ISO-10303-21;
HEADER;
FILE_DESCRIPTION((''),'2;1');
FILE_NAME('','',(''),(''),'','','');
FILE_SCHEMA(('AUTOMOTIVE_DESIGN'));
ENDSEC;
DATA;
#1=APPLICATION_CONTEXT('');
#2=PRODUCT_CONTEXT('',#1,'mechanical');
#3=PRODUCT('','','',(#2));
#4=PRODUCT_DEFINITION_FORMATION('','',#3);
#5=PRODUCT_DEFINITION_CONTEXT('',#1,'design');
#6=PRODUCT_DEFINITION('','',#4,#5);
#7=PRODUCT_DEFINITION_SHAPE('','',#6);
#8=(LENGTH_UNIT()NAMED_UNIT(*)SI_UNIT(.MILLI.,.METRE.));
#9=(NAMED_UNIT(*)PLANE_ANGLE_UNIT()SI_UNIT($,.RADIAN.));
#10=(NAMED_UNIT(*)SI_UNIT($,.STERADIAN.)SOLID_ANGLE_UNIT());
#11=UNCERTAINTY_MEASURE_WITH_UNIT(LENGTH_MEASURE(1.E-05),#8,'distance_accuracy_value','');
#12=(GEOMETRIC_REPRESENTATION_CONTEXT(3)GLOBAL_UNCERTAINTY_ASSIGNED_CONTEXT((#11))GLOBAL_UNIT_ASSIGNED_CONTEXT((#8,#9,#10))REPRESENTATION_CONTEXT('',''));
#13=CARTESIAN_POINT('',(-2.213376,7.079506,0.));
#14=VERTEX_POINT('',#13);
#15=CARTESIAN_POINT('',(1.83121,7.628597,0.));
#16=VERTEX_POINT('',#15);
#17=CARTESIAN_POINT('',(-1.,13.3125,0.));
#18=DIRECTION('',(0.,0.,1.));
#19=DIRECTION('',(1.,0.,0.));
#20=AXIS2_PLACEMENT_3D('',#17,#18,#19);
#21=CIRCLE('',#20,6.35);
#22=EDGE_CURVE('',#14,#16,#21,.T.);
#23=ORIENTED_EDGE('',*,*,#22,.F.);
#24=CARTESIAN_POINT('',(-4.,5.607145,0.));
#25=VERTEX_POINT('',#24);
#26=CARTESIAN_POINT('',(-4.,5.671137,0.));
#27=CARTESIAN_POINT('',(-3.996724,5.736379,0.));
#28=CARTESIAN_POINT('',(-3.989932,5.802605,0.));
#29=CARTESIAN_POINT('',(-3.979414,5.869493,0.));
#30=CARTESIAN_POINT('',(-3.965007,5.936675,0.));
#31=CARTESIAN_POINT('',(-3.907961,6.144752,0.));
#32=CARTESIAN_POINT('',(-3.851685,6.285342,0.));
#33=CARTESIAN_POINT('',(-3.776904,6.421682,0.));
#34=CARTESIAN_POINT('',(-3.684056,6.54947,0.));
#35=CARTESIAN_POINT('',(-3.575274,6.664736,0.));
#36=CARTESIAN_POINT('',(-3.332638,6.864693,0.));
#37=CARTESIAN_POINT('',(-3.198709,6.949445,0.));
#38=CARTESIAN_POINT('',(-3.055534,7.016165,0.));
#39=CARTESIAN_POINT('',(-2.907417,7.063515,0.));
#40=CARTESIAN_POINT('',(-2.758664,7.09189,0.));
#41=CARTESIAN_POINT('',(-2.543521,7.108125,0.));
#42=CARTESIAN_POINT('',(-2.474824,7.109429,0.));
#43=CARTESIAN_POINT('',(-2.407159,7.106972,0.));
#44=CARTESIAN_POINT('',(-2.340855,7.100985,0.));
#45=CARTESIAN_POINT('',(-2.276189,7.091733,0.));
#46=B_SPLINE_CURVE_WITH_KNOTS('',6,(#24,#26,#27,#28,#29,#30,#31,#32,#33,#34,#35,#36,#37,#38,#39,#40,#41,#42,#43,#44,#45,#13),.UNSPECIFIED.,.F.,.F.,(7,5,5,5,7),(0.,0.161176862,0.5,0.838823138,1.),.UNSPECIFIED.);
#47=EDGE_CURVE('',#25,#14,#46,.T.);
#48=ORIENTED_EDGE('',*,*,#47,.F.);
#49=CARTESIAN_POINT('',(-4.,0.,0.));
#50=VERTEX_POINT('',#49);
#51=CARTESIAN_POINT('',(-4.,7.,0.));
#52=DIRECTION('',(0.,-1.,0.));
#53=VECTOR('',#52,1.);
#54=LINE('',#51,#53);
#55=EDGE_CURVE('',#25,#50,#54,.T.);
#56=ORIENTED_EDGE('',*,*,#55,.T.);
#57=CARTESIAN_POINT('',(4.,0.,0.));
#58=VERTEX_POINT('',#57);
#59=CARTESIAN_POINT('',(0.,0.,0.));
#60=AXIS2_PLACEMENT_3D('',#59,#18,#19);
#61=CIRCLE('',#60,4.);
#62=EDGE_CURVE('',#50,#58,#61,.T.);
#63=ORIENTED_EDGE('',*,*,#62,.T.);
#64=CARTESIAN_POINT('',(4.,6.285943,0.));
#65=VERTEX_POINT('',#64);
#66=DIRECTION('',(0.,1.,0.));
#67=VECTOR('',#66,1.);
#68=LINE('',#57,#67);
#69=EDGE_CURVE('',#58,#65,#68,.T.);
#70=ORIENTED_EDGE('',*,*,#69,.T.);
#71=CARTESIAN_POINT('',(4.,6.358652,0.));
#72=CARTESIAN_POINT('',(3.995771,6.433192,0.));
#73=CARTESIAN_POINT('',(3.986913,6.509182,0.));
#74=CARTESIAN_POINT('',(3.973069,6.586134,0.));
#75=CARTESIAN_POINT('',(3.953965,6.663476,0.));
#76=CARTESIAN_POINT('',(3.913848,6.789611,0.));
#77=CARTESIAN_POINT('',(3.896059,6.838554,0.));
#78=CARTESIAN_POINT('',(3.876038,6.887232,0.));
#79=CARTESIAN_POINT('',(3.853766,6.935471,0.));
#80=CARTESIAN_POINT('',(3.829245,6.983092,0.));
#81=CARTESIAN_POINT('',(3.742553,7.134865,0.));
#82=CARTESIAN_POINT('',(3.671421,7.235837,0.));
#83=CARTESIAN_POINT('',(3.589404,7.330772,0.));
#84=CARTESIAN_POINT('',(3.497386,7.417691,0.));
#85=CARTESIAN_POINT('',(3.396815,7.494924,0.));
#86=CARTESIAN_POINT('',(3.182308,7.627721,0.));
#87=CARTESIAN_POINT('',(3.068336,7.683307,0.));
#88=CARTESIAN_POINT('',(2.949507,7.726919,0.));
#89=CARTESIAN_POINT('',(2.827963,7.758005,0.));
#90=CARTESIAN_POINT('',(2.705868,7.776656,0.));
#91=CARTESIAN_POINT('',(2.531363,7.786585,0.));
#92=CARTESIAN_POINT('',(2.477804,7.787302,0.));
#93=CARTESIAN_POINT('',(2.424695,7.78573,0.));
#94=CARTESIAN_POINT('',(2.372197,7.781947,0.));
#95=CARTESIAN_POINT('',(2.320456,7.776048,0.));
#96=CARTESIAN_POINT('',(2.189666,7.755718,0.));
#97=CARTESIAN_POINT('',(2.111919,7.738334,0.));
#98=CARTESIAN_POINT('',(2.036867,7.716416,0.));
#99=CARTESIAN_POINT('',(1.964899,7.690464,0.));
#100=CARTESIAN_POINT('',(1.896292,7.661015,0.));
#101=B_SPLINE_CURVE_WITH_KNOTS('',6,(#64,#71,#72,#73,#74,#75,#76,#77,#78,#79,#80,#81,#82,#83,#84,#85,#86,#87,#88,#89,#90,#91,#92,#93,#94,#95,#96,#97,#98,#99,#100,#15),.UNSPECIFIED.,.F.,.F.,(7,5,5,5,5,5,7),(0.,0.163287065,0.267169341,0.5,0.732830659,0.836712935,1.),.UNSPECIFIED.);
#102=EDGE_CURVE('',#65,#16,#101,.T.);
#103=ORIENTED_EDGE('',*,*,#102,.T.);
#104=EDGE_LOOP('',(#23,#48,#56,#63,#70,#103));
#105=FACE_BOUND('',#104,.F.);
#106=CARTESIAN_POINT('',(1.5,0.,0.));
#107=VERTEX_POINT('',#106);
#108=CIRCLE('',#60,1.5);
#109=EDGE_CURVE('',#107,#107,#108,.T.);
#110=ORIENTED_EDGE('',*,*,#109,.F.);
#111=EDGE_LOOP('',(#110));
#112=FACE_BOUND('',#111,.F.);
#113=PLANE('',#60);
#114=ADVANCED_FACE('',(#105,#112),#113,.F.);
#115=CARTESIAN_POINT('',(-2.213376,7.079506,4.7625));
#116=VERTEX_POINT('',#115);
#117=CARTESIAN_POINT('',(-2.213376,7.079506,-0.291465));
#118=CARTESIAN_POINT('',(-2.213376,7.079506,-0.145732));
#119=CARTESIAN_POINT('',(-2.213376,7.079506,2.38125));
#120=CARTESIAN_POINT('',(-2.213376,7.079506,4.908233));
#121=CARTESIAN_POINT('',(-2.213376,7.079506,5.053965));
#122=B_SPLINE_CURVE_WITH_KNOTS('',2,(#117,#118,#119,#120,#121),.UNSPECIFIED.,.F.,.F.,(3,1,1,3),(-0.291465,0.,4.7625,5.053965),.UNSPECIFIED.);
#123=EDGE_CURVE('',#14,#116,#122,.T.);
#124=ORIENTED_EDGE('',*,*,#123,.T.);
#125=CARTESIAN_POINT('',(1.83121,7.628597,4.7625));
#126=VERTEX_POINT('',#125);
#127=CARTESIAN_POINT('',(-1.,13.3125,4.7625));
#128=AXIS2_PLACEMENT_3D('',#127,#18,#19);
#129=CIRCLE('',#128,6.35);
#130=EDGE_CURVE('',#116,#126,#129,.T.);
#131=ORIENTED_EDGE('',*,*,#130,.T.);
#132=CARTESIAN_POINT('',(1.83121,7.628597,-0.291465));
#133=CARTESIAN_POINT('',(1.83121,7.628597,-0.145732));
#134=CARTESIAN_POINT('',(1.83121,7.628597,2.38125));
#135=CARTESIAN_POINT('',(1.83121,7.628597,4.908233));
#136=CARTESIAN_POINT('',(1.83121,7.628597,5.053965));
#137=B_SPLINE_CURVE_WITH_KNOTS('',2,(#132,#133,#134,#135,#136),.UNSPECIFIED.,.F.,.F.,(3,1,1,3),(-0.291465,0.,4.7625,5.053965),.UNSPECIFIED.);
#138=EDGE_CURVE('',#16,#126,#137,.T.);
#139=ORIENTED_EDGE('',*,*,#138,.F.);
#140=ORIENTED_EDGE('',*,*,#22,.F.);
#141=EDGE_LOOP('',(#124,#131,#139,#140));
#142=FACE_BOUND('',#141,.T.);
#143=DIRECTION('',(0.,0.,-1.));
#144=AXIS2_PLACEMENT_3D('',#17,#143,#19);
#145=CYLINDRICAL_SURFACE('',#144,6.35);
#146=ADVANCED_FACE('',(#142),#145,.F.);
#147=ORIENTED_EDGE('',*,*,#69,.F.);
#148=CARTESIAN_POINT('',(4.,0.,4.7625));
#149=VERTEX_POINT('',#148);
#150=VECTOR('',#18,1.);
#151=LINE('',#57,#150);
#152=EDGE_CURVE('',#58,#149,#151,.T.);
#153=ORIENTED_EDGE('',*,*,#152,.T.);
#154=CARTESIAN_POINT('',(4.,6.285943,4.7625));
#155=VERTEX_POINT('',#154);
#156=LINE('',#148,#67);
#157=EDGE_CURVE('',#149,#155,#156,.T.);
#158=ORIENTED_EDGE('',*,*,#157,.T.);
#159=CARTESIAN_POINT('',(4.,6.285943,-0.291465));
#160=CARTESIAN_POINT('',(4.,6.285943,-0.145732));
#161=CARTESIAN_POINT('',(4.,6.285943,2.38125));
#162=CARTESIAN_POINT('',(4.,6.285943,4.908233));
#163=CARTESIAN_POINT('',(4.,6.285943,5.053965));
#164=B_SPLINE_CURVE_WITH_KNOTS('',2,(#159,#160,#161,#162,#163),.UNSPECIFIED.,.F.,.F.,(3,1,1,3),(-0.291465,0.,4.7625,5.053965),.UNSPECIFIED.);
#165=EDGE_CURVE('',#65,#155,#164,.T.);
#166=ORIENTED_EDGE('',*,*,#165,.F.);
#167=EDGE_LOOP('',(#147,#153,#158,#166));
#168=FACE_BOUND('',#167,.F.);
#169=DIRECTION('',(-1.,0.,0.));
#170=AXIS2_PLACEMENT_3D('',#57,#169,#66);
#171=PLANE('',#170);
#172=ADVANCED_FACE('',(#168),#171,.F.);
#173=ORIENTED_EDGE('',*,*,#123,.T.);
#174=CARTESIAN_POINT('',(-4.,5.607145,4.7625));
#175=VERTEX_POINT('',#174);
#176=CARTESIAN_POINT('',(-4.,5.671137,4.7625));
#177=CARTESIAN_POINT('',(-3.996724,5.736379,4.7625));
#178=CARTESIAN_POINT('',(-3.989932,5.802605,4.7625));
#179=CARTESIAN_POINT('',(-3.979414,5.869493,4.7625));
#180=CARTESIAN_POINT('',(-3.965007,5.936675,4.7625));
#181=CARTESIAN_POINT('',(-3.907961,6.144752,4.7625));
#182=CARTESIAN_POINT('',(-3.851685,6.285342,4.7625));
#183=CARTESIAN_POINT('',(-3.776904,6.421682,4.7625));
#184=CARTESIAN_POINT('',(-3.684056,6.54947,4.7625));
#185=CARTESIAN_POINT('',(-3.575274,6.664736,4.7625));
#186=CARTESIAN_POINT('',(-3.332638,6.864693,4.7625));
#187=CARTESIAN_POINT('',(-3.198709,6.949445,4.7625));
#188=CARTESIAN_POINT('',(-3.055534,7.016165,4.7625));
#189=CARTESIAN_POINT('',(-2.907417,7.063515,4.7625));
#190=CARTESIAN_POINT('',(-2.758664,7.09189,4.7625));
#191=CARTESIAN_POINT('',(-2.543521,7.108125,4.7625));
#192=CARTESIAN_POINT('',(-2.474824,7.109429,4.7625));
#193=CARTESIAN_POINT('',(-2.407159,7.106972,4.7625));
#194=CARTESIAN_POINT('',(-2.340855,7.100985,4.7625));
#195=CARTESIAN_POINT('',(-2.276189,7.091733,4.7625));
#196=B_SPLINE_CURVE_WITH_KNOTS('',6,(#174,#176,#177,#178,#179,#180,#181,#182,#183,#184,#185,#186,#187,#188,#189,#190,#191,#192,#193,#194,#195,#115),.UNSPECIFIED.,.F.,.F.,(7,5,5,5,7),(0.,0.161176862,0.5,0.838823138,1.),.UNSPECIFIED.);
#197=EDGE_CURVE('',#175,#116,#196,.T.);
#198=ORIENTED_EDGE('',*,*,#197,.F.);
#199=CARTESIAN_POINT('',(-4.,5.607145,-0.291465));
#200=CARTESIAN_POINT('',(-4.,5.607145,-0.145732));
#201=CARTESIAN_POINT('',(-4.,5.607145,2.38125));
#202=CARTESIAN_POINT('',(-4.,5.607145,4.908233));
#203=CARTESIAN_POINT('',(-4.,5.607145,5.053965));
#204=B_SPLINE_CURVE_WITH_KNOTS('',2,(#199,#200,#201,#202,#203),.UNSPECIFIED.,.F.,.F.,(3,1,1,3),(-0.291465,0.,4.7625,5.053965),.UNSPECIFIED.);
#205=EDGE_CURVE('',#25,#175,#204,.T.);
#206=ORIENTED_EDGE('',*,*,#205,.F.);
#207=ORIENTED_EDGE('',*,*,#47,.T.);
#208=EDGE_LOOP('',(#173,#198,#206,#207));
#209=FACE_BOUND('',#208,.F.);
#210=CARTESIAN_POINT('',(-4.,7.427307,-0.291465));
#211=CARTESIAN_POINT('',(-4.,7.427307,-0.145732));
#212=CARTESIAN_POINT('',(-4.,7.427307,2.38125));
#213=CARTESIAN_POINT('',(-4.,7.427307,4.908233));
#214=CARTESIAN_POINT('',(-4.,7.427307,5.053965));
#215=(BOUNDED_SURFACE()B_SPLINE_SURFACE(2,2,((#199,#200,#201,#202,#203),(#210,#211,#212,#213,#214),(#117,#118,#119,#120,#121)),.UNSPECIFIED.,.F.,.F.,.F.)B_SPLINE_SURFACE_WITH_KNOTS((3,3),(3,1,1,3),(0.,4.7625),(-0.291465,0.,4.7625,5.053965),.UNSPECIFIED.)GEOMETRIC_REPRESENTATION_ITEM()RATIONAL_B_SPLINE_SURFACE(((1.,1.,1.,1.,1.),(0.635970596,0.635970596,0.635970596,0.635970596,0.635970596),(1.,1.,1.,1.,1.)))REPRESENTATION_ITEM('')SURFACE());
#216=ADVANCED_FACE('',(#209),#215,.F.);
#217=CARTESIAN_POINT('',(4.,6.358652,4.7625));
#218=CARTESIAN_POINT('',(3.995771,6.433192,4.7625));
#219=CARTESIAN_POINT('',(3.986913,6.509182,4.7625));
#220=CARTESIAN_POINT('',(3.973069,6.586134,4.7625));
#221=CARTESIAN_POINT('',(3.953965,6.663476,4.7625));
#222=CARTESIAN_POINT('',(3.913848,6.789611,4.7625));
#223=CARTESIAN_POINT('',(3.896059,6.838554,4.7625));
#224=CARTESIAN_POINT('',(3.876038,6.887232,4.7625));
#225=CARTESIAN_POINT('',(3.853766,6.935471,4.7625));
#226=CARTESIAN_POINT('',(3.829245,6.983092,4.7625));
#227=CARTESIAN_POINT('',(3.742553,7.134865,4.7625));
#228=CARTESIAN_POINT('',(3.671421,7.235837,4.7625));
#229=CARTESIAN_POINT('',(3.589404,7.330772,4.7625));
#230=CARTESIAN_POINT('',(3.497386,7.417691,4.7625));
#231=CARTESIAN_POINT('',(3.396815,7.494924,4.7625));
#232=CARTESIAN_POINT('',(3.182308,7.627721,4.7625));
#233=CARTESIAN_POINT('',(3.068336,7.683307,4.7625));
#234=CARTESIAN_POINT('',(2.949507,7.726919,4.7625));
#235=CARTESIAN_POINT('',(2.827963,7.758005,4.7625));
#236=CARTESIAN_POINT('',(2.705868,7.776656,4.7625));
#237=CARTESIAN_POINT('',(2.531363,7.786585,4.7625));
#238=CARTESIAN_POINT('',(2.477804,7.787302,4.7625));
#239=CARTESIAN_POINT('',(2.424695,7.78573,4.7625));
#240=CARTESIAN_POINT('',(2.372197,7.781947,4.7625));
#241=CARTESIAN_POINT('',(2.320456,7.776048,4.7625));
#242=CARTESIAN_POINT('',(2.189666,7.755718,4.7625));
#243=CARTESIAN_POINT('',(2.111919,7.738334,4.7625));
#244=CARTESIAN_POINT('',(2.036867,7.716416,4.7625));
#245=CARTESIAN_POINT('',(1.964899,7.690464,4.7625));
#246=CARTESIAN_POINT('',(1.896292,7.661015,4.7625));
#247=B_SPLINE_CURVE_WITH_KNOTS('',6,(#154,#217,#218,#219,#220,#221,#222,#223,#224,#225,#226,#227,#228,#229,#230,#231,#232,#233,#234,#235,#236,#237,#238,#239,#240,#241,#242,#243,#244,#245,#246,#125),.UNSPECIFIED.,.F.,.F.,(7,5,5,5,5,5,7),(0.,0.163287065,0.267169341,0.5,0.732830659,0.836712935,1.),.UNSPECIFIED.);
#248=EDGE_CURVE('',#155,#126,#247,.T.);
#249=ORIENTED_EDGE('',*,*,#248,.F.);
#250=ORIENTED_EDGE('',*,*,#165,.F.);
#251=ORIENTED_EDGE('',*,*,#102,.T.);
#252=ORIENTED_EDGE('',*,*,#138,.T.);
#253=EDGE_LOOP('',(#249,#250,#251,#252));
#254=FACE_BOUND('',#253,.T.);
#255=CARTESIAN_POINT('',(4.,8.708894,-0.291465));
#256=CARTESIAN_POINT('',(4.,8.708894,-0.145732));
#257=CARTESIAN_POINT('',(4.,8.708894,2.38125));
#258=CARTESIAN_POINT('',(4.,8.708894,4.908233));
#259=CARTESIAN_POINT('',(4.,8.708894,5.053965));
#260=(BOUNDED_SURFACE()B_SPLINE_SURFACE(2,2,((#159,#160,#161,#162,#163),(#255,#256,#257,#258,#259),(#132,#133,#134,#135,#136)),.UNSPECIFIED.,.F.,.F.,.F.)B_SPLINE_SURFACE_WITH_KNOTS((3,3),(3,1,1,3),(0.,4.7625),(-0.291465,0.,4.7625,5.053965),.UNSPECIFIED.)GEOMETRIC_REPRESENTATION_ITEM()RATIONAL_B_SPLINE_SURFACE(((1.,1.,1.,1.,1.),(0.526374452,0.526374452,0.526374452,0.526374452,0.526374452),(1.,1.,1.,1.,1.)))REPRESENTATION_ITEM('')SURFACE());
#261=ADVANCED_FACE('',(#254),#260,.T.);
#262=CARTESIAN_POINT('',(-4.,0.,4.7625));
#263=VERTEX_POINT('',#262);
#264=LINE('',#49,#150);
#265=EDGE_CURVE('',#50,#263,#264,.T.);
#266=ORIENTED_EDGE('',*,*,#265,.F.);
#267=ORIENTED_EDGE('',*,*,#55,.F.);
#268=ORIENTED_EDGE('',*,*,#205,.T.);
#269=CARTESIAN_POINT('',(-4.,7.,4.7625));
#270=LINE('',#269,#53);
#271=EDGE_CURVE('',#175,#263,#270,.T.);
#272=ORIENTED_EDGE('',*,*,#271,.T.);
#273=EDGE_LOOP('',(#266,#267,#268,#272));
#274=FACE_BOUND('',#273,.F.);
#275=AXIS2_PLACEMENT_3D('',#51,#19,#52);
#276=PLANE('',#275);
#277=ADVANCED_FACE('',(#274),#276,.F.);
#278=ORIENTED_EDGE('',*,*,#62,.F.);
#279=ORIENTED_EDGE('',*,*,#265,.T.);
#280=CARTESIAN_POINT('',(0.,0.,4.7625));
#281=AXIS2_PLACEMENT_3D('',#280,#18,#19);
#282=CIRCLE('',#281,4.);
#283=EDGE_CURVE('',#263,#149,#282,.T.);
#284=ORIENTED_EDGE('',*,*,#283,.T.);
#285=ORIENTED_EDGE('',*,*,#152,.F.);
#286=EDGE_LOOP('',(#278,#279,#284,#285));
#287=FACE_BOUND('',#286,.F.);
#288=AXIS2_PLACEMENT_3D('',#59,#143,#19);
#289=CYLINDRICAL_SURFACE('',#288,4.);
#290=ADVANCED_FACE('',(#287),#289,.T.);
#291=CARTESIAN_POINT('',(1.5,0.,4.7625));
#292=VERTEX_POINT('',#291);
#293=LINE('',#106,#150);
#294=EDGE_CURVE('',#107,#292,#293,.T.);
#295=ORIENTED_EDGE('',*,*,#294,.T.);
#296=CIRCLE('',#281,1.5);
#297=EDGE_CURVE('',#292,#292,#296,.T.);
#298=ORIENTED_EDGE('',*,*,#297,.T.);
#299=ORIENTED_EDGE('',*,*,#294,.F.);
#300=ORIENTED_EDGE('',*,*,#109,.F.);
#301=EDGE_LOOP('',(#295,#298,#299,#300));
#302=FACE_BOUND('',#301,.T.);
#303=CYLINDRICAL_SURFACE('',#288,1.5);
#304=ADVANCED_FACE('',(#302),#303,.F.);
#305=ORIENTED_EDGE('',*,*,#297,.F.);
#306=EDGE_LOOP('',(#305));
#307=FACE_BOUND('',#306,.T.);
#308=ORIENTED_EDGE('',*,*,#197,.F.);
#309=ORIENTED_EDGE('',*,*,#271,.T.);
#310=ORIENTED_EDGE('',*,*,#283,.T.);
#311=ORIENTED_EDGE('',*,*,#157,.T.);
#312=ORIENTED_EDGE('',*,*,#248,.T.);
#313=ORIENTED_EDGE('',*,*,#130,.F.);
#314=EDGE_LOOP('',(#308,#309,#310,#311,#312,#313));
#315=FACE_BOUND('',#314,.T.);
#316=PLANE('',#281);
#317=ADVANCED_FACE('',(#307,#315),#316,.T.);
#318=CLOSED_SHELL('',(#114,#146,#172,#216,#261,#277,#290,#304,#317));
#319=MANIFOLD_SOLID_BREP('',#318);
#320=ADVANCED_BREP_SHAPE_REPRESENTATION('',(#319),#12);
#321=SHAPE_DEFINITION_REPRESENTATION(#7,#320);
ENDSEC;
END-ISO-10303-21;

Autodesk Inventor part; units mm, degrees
ref_plane "YZ Plane" through (0, 0, 0) normal (1, 0, 0) x (0, 1, 0)
ref_plane "XZ Plane" through (0, 0, 0) normal (0, 1, 0) x (-1, 0, 0)
ref_plane "XY Plane" through (0, 0, 0) normal (0, 0, 1) x (1, 0, 0)
sketch "Sketch1" plane through (0, 0, 0) normal (0, 0, 1) x (1, 0, 0)
  circle A0 centre (0, 0) radius 1.5
  circle A1 centre (0, 0) radius 4
  circle A2 centre (0, 0) radius 7 construction
  line L0 (0, 0) -> (0, 7) construction
  circle A3 centre (-1, 13.3125) radius 6.35
  line L1 (0, 0) -> (0, 7) construction
  line L2 (4, 0) -> (4, 7)
  line L3 (-4, 7) -> (-4, 0)
  arc A4 (-4, 0) -> (4, 0) centre (0, 0) ccw
  arc A5 (4, 7) -> (-4, 7) centre (0, 7) ccw
  point P0 (0, 3.5)
  point P1 (-3.9251, 7.7702)
  point P2 (4, 0)
  point P3 (3.5364, 8.8691)
  point P4 (-4, 0)
  point P5 (-3.941, 7.6846)
  dimension "d2" = 14
  dimension "d0" = 3
  dimension "d1" = 8
  dimension "d3" = 12.7
  dimension "d4" = 4
  dimension "d9" = 1
extrude "Extrusion1" add sketch "Sketch1" along normal blind 4.7625 contours A1 | A1 L3 A5 A3 L2
fillet "Fillet1" radius 1.5 2 edges at (3.5364, 8.8691, 2.3813) (-3.941, 7.6846, 2.3813)
sketch "Sketch2" plane through (0, 0, 0) normal (0, 0, -1) x (-1, 0, 0)
  arc A0 (4, 5.6071) -> (2.2134, 7.0795) centre (2.5, 5.6071) ccw projected
  arc A1 (-1.8312, 7.6286) -> (2.2134, 7.0795) centre (1, 13.3125) ccw projected
  arc A2 (-1.8312, 7.6286) -> (-4, 6.2859) centre (-2.5, 6.2859) ccw projected
  line L0 (-4, 0) -> (-4, 6.2859) projected
  arc A3 (-4, 0) -> (4, 0) centre (0, 0) ccw projected
  line L1 (4, 5.6071) -> (4, 0) projected
  circle A4 centre (0, 0) radius 1.5 projected
  circle A5 centre (0, 0) radius 8.2648 construction
equation "\"d4\" = 0.5 * d1"
properties part number "Cam - Lever" material "Nylon 6/6"
